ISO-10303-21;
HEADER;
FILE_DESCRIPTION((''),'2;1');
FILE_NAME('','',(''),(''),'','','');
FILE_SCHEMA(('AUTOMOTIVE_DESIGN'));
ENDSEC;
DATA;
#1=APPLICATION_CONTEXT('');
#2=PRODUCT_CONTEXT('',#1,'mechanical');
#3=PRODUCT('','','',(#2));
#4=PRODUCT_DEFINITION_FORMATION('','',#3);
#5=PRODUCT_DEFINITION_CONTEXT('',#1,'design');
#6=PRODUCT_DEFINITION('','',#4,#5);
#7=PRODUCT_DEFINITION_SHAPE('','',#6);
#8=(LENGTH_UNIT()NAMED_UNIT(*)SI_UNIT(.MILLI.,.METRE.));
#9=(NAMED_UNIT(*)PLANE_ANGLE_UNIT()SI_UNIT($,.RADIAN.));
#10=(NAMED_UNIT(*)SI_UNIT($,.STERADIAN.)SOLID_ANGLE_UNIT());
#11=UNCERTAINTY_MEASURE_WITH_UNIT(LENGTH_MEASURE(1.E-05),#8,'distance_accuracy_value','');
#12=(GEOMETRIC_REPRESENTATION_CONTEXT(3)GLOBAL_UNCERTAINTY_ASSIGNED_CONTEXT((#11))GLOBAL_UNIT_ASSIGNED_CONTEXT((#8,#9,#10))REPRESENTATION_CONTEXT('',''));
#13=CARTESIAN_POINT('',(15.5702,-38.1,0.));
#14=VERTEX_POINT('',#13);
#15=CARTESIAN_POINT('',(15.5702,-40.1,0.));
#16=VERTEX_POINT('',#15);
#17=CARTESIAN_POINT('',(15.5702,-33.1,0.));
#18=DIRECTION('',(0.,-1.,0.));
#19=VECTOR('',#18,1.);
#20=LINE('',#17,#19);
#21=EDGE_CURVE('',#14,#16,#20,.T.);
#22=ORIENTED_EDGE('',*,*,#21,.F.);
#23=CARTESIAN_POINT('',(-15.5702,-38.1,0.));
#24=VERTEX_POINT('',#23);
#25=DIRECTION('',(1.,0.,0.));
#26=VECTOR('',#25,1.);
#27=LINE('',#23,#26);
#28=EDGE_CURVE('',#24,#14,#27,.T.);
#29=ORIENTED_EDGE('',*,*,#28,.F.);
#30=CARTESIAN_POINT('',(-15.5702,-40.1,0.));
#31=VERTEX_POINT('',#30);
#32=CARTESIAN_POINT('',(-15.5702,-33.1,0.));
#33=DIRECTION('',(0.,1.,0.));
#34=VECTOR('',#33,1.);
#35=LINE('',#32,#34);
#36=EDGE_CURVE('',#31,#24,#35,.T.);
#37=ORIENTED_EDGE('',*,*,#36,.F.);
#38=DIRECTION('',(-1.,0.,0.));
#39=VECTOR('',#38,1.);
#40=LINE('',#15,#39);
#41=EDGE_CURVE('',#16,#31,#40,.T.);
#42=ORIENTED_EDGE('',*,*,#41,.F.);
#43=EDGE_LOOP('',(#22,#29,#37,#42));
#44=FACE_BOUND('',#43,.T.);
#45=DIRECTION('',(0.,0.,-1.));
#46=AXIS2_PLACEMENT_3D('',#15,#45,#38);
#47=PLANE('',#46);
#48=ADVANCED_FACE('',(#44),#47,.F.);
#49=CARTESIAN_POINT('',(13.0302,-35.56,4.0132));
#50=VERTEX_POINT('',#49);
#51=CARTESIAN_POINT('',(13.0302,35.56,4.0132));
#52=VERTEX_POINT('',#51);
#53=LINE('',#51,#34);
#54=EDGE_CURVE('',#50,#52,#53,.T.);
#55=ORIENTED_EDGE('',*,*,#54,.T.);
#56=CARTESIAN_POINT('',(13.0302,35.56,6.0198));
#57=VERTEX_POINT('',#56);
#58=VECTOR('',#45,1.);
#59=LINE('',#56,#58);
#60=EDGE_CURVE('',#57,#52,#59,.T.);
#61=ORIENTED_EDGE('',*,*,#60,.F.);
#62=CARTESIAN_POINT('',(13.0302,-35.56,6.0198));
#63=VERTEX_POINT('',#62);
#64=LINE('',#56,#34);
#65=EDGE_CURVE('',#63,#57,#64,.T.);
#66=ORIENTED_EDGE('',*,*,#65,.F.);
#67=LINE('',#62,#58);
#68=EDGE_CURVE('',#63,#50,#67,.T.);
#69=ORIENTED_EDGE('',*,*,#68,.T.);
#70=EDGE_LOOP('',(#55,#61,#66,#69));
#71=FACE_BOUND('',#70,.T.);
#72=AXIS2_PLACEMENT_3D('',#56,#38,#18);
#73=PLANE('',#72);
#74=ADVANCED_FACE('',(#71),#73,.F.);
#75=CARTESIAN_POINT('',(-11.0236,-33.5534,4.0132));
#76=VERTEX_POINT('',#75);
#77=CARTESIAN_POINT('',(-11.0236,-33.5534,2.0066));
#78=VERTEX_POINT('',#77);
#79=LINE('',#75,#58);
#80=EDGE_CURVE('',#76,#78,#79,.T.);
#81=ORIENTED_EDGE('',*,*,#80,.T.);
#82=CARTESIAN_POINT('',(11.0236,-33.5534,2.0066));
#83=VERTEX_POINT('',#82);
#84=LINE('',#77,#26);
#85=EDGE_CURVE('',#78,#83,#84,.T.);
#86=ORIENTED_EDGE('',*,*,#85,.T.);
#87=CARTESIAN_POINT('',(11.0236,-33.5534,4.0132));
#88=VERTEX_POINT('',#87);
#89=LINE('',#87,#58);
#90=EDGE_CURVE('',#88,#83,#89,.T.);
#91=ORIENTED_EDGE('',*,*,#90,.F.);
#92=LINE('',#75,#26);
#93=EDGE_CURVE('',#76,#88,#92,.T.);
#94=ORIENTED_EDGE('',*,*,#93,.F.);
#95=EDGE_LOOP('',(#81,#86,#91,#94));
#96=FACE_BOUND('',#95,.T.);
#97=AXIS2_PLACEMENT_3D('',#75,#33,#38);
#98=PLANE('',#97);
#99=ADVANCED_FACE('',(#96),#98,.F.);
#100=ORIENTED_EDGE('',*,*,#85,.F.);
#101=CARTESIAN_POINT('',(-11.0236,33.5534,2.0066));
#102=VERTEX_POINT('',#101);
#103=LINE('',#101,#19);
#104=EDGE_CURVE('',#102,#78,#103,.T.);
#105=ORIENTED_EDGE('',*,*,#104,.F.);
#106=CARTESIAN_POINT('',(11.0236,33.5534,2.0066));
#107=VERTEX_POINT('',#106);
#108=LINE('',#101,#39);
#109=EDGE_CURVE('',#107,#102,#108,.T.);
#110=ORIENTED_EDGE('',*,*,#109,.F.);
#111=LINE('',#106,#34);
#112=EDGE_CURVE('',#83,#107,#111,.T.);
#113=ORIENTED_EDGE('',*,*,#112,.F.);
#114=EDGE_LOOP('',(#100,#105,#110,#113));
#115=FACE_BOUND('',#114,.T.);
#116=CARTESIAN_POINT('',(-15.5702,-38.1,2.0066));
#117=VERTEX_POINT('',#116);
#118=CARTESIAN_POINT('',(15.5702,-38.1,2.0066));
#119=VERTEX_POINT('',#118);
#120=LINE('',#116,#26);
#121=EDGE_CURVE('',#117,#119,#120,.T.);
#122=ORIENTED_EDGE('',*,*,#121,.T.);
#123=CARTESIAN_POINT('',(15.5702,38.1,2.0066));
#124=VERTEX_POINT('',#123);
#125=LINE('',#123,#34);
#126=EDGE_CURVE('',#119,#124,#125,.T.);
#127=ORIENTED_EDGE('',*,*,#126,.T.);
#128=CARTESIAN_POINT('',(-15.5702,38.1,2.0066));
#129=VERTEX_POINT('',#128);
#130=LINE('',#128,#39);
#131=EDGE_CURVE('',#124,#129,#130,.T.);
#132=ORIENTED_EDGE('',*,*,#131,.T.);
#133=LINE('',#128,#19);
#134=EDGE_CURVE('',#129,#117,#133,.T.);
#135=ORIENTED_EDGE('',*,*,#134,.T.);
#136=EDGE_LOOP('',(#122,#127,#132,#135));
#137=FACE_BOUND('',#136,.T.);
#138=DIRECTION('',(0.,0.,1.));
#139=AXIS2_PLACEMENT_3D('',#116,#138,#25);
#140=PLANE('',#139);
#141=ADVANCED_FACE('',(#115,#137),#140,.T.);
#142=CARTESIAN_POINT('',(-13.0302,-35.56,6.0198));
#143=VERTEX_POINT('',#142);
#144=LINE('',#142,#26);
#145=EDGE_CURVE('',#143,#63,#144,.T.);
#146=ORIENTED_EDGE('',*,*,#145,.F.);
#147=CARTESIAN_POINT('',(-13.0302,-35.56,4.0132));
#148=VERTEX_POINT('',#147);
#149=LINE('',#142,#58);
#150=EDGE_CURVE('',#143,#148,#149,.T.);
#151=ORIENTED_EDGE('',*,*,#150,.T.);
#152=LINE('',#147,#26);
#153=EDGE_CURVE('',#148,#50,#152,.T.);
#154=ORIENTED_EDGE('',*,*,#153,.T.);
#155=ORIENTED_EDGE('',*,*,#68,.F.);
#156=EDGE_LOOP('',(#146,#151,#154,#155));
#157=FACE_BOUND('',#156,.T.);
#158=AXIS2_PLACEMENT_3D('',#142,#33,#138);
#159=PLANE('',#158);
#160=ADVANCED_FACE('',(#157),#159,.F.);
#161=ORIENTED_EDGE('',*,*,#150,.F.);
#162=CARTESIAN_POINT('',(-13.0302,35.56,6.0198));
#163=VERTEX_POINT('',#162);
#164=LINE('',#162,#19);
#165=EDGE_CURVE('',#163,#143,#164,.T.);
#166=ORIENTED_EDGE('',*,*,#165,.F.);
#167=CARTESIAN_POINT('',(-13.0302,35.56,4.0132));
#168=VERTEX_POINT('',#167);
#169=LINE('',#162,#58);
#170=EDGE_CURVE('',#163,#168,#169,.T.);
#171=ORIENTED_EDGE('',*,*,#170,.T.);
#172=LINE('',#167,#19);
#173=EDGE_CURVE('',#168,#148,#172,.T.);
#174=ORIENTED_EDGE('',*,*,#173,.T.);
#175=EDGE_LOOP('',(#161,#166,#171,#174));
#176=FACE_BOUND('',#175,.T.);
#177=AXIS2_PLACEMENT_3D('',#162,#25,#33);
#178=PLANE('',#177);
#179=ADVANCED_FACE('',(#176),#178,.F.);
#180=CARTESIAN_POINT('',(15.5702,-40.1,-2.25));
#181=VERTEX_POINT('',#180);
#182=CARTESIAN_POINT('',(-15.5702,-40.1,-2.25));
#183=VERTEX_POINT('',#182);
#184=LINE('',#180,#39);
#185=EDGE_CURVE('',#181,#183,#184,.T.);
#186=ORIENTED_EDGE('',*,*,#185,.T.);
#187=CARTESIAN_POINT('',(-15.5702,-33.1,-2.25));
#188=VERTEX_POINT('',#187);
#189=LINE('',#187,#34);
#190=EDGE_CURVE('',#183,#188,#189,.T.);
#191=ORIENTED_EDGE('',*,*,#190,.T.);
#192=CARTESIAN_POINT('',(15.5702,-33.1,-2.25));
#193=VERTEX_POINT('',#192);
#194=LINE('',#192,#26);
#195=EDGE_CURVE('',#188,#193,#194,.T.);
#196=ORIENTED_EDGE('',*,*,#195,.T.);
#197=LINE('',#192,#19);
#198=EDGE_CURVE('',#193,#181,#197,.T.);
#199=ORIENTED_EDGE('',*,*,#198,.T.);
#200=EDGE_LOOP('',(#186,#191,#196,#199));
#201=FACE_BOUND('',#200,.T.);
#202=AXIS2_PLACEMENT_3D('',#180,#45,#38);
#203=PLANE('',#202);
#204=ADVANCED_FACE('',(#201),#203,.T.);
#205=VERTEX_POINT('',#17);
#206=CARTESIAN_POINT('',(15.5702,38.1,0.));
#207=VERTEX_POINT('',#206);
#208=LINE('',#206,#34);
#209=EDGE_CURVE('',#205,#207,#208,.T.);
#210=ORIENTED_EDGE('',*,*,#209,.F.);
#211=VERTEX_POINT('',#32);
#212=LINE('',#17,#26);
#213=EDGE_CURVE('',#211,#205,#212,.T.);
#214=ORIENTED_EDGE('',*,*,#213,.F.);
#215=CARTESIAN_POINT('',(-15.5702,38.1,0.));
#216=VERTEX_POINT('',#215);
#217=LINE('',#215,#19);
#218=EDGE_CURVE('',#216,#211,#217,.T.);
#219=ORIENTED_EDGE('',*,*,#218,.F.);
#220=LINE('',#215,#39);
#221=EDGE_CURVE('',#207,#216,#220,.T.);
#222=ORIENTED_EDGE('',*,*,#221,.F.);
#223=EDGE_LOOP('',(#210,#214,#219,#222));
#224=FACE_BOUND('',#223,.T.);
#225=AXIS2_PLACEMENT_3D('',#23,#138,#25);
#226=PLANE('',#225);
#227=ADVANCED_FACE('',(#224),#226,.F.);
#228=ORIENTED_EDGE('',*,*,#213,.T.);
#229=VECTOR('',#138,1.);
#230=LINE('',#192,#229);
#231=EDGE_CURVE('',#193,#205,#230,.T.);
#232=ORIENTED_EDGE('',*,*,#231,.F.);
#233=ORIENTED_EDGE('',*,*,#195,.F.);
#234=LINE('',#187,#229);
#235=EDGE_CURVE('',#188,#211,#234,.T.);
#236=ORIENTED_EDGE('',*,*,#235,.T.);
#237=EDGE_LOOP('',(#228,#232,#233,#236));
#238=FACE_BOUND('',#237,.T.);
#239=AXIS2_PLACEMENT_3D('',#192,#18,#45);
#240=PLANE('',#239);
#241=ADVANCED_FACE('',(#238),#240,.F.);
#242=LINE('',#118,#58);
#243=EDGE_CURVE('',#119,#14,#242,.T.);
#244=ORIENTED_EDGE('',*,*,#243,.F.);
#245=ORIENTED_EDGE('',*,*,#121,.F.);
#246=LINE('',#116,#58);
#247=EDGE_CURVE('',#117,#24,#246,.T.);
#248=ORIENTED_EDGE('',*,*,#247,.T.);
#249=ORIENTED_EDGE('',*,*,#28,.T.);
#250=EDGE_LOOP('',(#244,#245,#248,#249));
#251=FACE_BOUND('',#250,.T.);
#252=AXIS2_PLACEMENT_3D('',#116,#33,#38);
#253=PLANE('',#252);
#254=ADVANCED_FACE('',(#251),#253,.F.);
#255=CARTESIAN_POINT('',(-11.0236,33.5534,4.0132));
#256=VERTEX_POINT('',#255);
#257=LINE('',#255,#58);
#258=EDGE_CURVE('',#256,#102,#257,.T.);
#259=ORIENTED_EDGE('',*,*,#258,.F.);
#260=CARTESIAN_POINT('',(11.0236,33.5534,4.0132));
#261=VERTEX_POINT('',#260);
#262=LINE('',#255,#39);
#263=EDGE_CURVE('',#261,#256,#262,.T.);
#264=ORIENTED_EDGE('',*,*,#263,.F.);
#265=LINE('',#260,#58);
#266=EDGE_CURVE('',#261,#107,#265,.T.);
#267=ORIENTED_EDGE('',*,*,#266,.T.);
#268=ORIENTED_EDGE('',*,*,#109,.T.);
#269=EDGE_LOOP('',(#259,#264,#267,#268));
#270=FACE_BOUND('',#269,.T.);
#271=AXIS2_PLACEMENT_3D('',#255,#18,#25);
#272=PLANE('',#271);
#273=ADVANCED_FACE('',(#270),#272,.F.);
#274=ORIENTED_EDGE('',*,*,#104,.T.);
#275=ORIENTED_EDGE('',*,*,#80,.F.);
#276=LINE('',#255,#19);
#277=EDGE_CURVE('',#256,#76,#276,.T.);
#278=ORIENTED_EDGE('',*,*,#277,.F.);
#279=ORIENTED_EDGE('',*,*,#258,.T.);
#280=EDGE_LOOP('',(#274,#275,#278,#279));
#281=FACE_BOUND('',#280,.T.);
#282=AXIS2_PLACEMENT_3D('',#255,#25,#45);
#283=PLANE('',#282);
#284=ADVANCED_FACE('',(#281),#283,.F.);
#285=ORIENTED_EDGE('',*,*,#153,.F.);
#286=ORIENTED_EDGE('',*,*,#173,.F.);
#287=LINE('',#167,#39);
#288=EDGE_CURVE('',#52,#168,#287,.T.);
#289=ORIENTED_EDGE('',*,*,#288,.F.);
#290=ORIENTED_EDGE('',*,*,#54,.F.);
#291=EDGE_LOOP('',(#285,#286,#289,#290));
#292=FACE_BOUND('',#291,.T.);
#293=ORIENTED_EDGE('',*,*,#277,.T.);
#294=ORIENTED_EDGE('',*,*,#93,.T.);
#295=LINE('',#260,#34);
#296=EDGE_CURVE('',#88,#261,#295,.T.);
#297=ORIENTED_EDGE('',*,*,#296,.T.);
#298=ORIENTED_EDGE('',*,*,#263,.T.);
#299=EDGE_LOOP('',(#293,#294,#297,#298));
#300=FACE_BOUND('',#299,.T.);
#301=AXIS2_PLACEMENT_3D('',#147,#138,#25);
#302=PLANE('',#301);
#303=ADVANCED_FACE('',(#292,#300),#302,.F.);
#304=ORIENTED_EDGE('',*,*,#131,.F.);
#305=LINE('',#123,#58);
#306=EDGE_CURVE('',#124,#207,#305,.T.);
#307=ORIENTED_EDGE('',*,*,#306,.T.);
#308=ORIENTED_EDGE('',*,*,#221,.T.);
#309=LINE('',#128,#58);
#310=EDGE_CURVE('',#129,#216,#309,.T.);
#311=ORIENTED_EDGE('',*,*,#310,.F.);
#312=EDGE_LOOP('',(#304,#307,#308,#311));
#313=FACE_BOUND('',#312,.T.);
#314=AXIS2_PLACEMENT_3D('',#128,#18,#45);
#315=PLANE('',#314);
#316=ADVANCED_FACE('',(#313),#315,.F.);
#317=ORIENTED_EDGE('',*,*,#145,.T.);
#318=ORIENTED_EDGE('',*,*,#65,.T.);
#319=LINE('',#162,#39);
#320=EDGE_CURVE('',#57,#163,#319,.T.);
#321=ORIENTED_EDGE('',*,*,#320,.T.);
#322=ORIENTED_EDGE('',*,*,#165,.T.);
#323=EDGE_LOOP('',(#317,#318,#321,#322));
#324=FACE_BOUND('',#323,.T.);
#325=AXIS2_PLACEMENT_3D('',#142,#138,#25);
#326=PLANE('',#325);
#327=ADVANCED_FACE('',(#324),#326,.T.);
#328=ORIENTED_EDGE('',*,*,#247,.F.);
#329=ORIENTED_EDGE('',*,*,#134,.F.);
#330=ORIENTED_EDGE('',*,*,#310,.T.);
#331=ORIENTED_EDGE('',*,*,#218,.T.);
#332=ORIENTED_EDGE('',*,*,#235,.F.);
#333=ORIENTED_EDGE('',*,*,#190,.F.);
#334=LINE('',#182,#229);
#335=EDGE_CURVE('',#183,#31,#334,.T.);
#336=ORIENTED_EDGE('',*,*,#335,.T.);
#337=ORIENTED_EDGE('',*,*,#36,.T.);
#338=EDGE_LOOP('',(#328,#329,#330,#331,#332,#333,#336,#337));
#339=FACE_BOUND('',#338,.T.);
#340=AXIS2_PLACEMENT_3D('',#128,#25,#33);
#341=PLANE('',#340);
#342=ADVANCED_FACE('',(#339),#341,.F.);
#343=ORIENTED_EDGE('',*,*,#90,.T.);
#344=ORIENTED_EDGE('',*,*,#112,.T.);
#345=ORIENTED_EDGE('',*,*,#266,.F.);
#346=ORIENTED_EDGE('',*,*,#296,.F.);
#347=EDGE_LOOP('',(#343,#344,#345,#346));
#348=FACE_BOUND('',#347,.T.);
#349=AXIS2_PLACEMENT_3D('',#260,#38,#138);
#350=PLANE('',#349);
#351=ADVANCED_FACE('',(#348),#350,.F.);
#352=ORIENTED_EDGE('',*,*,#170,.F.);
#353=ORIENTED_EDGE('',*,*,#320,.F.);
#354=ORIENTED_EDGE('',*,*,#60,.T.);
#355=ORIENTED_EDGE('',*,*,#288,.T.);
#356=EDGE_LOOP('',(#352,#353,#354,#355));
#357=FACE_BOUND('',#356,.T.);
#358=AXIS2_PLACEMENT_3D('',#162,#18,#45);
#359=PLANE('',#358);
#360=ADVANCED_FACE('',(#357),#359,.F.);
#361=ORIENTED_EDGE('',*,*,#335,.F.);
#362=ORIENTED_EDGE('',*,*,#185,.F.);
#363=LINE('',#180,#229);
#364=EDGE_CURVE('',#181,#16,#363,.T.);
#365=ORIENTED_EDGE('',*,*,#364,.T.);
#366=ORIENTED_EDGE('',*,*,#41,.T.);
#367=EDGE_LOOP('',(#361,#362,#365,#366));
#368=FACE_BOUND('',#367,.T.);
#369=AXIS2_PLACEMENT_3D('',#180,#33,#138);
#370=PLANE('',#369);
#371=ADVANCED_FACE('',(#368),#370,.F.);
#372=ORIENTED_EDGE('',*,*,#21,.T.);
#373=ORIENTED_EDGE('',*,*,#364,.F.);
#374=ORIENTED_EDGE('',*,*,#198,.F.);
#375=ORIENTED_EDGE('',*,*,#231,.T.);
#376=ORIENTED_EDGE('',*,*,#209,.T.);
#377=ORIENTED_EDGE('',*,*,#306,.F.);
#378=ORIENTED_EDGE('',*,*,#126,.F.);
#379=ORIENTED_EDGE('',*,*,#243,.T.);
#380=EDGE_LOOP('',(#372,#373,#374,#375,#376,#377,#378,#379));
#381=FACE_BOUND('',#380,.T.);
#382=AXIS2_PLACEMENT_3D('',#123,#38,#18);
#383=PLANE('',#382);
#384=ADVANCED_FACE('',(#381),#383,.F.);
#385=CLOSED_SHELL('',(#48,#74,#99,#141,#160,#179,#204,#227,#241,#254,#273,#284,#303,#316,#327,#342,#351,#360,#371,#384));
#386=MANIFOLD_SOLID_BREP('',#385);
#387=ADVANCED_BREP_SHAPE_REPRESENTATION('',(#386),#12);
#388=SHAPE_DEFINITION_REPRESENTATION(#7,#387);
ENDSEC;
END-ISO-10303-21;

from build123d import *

# Parameters (mm, degrees)
SKETCH2_W      = 31.1404
SKETCH2_H      = 76.2
EXTRUDE1_DEPTH = 2.0066
SKETCH3_W      = 22.0472
SKETCH3_H      = 67.1068
EXTRUDE2_DEPTH = 2.0066
SKETCH4_W      = 26.0604
SKETCH4_H      = 71.12
EXTRUDE3_DEPTH = 2.0066
SKETCH5_W      = 31.1404
SKETCH5_H      = 7
EXTRUDE4_DEPTH = 2.25


with BuildPart() as part:
    # Sketch2 → Extrude1 (new body)
    with BuildSketch(Plane.XY):
        Rectangle(SKETCH2_W, SKETCH2_H)
    extrude(amount=EXTRUDE1_DEPTH)

    # Sketch3 → Extrude2 (add)
    with BuildSketch(Plane.XY.offset(2.0066)):
        Rectangle(SKETCH3_W, SKETCH3_H)
    extrude(amount=EXTRUDE2_DEPTH)

    # Sketch4 → Extrude3 (add)
    with BuildSketch(Plane.XY.offset(4.0132)):
        Rectangle(SKETCH4_W, SKETCH4_H)
    extrude(amount=EXTRUDE3_DEPTH)

    # Sketch5 → Extrude4 (add)
    with BuildSketch(Plane(origin=(0, 0, 0), x_dir=(-1, 0, 0), z_dir=(0, 0, -1))):
        with Locations((0, -36.6)):
            Rectangle(SKETCH5_W, SKETCH5_H)
    extrude(amount=EXTRUDE4_DEPTH)


solid = part.part
